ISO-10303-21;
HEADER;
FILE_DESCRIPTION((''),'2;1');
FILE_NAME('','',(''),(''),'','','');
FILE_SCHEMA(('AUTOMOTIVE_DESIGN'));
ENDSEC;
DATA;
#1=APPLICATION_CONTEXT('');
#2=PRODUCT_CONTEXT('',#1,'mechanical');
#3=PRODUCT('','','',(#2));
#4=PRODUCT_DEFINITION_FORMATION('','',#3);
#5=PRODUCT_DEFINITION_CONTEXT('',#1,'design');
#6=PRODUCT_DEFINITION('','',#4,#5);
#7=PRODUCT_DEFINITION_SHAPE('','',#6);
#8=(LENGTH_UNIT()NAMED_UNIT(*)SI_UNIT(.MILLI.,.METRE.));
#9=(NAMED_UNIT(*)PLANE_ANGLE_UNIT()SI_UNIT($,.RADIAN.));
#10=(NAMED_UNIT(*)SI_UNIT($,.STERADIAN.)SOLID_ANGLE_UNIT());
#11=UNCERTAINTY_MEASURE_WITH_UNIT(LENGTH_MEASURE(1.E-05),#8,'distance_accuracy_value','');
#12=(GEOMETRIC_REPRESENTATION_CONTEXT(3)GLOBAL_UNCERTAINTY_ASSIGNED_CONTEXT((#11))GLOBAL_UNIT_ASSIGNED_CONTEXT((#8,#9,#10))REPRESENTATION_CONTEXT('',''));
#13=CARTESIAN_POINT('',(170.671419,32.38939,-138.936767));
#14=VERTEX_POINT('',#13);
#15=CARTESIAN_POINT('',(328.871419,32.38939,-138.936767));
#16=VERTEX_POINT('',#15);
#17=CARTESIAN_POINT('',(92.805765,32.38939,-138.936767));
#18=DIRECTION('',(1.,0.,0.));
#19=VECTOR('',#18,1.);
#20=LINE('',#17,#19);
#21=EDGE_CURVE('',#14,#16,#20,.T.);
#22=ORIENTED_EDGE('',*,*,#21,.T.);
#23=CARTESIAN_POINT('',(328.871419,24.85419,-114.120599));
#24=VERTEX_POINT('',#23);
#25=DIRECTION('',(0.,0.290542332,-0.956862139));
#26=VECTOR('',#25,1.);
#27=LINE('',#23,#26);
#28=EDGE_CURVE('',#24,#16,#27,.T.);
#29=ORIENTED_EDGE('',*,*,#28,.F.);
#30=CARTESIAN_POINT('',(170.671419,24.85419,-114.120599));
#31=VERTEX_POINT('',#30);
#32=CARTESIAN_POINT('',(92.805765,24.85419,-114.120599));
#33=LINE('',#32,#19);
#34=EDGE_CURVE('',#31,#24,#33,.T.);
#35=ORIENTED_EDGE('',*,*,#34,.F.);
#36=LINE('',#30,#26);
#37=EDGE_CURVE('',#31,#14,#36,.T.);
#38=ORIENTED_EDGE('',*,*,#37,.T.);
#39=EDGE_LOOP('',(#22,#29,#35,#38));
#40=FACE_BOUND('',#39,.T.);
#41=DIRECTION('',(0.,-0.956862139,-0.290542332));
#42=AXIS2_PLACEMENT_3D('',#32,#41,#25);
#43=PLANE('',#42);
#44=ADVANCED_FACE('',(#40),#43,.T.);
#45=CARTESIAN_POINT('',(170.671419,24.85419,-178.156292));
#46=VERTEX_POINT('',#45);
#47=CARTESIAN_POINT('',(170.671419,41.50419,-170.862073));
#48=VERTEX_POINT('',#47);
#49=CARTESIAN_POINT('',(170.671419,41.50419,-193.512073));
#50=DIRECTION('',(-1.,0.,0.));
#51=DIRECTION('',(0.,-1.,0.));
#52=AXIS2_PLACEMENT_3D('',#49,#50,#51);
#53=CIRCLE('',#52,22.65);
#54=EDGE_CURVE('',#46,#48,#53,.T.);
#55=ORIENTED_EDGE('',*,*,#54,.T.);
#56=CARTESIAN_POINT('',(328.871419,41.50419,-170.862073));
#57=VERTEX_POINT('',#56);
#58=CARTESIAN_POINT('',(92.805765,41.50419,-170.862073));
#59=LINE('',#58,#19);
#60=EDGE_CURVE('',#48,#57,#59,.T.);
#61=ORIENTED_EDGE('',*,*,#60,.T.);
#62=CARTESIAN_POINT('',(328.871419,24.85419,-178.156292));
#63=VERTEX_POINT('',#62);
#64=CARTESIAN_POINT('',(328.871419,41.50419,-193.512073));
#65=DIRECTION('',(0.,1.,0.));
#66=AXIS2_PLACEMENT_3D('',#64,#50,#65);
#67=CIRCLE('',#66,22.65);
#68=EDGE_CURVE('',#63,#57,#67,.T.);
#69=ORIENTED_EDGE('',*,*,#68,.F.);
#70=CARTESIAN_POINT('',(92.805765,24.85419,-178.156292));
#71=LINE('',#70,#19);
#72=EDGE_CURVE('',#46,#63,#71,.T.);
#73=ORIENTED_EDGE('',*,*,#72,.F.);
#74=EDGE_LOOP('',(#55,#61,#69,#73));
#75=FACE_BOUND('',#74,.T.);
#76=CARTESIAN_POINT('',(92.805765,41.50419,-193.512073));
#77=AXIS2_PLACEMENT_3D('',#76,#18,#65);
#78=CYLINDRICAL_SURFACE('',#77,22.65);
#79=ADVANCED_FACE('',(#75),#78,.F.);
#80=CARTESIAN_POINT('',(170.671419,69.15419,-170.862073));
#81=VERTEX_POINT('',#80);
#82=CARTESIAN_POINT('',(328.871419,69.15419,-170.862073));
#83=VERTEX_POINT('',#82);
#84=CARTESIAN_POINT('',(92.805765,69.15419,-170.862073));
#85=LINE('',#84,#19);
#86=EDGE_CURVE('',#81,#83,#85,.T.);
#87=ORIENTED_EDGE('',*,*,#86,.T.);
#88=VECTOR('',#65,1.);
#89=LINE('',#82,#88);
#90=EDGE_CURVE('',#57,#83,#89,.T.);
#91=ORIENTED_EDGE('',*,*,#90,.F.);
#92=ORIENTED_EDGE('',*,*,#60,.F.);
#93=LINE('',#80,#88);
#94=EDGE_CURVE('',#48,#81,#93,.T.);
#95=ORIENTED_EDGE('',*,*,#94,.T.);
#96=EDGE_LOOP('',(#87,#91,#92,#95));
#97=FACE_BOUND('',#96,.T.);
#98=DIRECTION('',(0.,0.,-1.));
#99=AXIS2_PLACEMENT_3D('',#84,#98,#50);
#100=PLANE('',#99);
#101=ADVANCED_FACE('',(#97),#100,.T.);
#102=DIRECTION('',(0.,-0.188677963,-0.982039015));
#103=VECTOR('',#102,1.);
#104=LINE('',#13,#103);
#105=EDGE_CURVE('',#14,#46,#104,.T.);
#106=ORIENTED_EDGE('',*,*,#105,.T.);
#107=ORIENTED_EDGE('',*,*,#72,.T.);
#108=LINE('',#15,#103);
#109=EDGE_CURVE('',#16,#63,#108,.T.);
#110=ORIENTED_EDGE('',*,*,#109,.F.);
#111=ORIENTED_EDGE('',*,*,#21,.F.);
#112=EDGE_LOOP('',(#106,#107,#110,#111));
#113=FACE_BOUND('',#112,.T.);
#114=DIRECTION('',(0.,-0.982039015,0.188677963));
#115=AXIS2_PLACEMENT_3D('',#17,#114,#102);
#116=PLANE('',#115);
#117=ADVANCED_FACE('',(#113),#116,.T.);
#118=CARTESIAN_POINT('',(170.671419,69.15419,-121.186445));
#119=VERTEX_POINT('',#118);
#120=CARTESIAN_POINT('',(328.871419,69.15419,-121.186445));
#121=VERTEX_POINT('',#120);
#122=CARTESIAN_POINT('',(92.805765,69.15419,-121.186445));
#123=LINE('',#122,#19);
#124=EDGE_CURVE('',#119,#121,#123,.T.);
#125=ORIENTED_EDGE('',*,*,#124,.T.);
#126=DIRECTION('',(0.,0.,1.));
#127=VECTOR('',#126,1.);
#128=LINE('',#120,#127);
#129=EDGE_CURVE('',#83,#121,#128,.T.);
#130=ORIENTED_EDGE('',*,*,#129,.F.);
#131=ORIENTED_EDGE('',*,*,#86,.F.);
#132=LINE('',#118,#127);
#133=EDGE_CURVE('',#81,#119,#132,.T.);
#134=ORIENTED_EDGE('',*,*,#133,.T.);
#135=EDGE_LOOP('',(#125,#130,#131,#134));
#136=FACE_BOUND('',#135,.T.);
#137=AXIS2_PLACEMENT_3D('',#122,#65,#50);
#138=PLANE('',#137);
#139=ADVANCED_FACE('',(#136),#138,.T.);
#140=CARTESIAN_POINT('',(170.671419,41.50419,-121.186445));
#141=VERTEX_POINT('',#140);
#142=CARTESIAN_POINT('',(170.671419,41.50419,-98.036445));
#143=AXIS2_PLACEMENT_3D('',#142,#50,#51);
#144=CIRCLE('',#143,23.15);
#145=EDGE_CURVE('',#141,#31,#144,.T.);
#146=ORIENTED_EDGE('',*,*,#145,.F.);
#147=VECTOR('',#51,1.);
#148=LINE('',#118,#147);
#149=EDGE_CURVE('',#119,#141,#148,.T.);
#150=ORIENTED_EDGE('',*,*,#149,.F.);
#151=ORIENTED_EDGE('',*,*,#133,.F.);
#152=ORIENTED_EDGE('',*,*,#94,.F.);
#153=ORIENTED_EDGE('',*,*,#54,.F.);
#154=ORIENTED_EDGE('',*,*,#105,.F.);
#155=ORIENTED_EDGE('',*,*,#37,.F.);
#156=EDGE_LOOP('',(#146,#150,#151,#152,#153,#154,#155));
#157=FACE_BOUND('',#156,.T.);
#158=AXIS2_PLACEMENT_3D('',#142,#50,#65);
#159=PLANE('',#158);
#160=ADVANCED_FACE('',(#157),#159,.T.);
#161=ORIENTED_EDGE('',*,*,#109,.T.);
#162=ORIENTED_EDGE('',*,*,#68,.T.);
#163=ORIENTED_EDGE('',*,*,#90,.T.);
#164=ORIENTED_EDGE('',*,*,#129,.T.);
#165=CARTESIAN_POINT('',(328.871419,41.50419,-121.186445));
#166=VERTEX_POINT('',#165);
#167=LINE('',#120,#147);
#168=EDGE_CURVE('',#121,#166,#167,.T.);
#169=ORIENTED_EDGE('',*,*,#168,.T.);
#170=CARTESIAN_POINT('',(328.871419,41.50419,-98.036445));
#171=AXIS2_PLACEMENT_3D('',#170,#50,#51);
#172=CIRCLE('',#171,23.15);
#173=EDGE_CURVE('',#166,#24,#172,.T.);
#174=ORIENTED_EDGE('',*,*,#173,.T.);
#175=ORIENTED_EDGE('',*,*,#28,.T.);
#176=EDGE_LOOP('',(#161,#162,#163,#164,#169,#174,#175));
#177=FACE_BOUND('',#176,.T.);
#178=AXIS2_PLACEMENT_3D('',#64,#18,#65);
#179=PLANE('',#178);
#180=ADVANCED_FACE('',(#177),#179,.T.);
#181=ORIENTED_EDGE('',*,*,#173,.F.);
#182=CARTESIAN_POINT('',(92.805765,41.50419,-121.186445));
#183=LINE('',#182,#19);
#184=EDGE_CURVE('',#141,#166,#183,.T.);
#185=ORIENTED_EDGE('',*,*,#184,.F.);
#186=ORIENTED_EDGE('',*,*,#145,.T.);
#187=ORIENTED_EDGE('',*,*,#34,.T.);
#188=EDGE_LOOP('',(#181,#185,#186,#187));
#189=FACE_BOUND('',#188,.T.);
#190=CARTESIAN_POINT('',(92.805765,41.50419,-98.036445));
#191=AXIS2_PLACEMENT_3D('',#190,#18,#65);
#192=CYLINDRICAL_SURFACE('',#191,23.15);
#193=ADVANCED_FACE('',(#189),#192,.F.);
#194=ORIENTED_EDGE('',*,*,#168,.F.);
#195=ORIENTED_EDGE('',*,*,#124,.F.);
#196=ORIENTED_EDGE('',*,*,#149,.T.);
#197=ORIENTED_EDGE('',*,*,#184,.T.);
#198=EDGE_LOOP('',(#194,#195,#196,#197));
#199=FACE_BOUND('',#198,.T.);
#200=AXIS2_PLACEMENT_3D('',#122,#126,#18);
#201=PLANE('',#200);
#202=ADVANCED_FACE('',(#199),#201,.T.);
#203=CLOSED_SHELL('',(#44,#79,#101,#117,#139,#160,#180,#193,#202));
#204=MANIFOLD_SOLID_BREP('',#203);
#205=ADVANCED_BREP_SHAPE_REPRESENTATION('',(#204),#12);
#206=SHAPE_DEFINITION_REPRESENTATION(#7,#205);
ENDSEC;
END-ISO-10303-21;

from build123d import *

# Parameters (mm, degrees)
BOSS_EXTRUDE1_DEPTH = 158.2


with BuildPart() as part:
    # Sketch3 → Boss-Extrude1 (new body)
    with BuildSketch(Plane(origin=(328.871419331, 0, 0), x_dir=(0, 0, -1), z_dir=(1, 0, 0))):
        with BuildLine():
            Line((121.186445143, 69.154189934), (121.186445143, 41.504189934))
            ThreePointArc((121.186445143, 41.504189934), (119.346896311, 32.460563946), (114.120598835, 24.854189934))
            Line((114.120598835, 24.854189934), (138.936767093, 32.389389728))
            Line((138.936767093, 32.389389728), (178.156292487, 24.854189934))
            ThreePointArc((178.156292487, 24.854189934), (172.765616446, 32.415348759), (170.862073158, 41.504189934))
            Line((170.862073158, 41.504189934), (170.862073158, 69.154189934))
            Line((170.862073158, 69.154189934), (121.186445143, 69.154189934))
        make_face()
    extrude(amount=-BOSS_EXTRUDE1_DEPTH)


solid = part.part
